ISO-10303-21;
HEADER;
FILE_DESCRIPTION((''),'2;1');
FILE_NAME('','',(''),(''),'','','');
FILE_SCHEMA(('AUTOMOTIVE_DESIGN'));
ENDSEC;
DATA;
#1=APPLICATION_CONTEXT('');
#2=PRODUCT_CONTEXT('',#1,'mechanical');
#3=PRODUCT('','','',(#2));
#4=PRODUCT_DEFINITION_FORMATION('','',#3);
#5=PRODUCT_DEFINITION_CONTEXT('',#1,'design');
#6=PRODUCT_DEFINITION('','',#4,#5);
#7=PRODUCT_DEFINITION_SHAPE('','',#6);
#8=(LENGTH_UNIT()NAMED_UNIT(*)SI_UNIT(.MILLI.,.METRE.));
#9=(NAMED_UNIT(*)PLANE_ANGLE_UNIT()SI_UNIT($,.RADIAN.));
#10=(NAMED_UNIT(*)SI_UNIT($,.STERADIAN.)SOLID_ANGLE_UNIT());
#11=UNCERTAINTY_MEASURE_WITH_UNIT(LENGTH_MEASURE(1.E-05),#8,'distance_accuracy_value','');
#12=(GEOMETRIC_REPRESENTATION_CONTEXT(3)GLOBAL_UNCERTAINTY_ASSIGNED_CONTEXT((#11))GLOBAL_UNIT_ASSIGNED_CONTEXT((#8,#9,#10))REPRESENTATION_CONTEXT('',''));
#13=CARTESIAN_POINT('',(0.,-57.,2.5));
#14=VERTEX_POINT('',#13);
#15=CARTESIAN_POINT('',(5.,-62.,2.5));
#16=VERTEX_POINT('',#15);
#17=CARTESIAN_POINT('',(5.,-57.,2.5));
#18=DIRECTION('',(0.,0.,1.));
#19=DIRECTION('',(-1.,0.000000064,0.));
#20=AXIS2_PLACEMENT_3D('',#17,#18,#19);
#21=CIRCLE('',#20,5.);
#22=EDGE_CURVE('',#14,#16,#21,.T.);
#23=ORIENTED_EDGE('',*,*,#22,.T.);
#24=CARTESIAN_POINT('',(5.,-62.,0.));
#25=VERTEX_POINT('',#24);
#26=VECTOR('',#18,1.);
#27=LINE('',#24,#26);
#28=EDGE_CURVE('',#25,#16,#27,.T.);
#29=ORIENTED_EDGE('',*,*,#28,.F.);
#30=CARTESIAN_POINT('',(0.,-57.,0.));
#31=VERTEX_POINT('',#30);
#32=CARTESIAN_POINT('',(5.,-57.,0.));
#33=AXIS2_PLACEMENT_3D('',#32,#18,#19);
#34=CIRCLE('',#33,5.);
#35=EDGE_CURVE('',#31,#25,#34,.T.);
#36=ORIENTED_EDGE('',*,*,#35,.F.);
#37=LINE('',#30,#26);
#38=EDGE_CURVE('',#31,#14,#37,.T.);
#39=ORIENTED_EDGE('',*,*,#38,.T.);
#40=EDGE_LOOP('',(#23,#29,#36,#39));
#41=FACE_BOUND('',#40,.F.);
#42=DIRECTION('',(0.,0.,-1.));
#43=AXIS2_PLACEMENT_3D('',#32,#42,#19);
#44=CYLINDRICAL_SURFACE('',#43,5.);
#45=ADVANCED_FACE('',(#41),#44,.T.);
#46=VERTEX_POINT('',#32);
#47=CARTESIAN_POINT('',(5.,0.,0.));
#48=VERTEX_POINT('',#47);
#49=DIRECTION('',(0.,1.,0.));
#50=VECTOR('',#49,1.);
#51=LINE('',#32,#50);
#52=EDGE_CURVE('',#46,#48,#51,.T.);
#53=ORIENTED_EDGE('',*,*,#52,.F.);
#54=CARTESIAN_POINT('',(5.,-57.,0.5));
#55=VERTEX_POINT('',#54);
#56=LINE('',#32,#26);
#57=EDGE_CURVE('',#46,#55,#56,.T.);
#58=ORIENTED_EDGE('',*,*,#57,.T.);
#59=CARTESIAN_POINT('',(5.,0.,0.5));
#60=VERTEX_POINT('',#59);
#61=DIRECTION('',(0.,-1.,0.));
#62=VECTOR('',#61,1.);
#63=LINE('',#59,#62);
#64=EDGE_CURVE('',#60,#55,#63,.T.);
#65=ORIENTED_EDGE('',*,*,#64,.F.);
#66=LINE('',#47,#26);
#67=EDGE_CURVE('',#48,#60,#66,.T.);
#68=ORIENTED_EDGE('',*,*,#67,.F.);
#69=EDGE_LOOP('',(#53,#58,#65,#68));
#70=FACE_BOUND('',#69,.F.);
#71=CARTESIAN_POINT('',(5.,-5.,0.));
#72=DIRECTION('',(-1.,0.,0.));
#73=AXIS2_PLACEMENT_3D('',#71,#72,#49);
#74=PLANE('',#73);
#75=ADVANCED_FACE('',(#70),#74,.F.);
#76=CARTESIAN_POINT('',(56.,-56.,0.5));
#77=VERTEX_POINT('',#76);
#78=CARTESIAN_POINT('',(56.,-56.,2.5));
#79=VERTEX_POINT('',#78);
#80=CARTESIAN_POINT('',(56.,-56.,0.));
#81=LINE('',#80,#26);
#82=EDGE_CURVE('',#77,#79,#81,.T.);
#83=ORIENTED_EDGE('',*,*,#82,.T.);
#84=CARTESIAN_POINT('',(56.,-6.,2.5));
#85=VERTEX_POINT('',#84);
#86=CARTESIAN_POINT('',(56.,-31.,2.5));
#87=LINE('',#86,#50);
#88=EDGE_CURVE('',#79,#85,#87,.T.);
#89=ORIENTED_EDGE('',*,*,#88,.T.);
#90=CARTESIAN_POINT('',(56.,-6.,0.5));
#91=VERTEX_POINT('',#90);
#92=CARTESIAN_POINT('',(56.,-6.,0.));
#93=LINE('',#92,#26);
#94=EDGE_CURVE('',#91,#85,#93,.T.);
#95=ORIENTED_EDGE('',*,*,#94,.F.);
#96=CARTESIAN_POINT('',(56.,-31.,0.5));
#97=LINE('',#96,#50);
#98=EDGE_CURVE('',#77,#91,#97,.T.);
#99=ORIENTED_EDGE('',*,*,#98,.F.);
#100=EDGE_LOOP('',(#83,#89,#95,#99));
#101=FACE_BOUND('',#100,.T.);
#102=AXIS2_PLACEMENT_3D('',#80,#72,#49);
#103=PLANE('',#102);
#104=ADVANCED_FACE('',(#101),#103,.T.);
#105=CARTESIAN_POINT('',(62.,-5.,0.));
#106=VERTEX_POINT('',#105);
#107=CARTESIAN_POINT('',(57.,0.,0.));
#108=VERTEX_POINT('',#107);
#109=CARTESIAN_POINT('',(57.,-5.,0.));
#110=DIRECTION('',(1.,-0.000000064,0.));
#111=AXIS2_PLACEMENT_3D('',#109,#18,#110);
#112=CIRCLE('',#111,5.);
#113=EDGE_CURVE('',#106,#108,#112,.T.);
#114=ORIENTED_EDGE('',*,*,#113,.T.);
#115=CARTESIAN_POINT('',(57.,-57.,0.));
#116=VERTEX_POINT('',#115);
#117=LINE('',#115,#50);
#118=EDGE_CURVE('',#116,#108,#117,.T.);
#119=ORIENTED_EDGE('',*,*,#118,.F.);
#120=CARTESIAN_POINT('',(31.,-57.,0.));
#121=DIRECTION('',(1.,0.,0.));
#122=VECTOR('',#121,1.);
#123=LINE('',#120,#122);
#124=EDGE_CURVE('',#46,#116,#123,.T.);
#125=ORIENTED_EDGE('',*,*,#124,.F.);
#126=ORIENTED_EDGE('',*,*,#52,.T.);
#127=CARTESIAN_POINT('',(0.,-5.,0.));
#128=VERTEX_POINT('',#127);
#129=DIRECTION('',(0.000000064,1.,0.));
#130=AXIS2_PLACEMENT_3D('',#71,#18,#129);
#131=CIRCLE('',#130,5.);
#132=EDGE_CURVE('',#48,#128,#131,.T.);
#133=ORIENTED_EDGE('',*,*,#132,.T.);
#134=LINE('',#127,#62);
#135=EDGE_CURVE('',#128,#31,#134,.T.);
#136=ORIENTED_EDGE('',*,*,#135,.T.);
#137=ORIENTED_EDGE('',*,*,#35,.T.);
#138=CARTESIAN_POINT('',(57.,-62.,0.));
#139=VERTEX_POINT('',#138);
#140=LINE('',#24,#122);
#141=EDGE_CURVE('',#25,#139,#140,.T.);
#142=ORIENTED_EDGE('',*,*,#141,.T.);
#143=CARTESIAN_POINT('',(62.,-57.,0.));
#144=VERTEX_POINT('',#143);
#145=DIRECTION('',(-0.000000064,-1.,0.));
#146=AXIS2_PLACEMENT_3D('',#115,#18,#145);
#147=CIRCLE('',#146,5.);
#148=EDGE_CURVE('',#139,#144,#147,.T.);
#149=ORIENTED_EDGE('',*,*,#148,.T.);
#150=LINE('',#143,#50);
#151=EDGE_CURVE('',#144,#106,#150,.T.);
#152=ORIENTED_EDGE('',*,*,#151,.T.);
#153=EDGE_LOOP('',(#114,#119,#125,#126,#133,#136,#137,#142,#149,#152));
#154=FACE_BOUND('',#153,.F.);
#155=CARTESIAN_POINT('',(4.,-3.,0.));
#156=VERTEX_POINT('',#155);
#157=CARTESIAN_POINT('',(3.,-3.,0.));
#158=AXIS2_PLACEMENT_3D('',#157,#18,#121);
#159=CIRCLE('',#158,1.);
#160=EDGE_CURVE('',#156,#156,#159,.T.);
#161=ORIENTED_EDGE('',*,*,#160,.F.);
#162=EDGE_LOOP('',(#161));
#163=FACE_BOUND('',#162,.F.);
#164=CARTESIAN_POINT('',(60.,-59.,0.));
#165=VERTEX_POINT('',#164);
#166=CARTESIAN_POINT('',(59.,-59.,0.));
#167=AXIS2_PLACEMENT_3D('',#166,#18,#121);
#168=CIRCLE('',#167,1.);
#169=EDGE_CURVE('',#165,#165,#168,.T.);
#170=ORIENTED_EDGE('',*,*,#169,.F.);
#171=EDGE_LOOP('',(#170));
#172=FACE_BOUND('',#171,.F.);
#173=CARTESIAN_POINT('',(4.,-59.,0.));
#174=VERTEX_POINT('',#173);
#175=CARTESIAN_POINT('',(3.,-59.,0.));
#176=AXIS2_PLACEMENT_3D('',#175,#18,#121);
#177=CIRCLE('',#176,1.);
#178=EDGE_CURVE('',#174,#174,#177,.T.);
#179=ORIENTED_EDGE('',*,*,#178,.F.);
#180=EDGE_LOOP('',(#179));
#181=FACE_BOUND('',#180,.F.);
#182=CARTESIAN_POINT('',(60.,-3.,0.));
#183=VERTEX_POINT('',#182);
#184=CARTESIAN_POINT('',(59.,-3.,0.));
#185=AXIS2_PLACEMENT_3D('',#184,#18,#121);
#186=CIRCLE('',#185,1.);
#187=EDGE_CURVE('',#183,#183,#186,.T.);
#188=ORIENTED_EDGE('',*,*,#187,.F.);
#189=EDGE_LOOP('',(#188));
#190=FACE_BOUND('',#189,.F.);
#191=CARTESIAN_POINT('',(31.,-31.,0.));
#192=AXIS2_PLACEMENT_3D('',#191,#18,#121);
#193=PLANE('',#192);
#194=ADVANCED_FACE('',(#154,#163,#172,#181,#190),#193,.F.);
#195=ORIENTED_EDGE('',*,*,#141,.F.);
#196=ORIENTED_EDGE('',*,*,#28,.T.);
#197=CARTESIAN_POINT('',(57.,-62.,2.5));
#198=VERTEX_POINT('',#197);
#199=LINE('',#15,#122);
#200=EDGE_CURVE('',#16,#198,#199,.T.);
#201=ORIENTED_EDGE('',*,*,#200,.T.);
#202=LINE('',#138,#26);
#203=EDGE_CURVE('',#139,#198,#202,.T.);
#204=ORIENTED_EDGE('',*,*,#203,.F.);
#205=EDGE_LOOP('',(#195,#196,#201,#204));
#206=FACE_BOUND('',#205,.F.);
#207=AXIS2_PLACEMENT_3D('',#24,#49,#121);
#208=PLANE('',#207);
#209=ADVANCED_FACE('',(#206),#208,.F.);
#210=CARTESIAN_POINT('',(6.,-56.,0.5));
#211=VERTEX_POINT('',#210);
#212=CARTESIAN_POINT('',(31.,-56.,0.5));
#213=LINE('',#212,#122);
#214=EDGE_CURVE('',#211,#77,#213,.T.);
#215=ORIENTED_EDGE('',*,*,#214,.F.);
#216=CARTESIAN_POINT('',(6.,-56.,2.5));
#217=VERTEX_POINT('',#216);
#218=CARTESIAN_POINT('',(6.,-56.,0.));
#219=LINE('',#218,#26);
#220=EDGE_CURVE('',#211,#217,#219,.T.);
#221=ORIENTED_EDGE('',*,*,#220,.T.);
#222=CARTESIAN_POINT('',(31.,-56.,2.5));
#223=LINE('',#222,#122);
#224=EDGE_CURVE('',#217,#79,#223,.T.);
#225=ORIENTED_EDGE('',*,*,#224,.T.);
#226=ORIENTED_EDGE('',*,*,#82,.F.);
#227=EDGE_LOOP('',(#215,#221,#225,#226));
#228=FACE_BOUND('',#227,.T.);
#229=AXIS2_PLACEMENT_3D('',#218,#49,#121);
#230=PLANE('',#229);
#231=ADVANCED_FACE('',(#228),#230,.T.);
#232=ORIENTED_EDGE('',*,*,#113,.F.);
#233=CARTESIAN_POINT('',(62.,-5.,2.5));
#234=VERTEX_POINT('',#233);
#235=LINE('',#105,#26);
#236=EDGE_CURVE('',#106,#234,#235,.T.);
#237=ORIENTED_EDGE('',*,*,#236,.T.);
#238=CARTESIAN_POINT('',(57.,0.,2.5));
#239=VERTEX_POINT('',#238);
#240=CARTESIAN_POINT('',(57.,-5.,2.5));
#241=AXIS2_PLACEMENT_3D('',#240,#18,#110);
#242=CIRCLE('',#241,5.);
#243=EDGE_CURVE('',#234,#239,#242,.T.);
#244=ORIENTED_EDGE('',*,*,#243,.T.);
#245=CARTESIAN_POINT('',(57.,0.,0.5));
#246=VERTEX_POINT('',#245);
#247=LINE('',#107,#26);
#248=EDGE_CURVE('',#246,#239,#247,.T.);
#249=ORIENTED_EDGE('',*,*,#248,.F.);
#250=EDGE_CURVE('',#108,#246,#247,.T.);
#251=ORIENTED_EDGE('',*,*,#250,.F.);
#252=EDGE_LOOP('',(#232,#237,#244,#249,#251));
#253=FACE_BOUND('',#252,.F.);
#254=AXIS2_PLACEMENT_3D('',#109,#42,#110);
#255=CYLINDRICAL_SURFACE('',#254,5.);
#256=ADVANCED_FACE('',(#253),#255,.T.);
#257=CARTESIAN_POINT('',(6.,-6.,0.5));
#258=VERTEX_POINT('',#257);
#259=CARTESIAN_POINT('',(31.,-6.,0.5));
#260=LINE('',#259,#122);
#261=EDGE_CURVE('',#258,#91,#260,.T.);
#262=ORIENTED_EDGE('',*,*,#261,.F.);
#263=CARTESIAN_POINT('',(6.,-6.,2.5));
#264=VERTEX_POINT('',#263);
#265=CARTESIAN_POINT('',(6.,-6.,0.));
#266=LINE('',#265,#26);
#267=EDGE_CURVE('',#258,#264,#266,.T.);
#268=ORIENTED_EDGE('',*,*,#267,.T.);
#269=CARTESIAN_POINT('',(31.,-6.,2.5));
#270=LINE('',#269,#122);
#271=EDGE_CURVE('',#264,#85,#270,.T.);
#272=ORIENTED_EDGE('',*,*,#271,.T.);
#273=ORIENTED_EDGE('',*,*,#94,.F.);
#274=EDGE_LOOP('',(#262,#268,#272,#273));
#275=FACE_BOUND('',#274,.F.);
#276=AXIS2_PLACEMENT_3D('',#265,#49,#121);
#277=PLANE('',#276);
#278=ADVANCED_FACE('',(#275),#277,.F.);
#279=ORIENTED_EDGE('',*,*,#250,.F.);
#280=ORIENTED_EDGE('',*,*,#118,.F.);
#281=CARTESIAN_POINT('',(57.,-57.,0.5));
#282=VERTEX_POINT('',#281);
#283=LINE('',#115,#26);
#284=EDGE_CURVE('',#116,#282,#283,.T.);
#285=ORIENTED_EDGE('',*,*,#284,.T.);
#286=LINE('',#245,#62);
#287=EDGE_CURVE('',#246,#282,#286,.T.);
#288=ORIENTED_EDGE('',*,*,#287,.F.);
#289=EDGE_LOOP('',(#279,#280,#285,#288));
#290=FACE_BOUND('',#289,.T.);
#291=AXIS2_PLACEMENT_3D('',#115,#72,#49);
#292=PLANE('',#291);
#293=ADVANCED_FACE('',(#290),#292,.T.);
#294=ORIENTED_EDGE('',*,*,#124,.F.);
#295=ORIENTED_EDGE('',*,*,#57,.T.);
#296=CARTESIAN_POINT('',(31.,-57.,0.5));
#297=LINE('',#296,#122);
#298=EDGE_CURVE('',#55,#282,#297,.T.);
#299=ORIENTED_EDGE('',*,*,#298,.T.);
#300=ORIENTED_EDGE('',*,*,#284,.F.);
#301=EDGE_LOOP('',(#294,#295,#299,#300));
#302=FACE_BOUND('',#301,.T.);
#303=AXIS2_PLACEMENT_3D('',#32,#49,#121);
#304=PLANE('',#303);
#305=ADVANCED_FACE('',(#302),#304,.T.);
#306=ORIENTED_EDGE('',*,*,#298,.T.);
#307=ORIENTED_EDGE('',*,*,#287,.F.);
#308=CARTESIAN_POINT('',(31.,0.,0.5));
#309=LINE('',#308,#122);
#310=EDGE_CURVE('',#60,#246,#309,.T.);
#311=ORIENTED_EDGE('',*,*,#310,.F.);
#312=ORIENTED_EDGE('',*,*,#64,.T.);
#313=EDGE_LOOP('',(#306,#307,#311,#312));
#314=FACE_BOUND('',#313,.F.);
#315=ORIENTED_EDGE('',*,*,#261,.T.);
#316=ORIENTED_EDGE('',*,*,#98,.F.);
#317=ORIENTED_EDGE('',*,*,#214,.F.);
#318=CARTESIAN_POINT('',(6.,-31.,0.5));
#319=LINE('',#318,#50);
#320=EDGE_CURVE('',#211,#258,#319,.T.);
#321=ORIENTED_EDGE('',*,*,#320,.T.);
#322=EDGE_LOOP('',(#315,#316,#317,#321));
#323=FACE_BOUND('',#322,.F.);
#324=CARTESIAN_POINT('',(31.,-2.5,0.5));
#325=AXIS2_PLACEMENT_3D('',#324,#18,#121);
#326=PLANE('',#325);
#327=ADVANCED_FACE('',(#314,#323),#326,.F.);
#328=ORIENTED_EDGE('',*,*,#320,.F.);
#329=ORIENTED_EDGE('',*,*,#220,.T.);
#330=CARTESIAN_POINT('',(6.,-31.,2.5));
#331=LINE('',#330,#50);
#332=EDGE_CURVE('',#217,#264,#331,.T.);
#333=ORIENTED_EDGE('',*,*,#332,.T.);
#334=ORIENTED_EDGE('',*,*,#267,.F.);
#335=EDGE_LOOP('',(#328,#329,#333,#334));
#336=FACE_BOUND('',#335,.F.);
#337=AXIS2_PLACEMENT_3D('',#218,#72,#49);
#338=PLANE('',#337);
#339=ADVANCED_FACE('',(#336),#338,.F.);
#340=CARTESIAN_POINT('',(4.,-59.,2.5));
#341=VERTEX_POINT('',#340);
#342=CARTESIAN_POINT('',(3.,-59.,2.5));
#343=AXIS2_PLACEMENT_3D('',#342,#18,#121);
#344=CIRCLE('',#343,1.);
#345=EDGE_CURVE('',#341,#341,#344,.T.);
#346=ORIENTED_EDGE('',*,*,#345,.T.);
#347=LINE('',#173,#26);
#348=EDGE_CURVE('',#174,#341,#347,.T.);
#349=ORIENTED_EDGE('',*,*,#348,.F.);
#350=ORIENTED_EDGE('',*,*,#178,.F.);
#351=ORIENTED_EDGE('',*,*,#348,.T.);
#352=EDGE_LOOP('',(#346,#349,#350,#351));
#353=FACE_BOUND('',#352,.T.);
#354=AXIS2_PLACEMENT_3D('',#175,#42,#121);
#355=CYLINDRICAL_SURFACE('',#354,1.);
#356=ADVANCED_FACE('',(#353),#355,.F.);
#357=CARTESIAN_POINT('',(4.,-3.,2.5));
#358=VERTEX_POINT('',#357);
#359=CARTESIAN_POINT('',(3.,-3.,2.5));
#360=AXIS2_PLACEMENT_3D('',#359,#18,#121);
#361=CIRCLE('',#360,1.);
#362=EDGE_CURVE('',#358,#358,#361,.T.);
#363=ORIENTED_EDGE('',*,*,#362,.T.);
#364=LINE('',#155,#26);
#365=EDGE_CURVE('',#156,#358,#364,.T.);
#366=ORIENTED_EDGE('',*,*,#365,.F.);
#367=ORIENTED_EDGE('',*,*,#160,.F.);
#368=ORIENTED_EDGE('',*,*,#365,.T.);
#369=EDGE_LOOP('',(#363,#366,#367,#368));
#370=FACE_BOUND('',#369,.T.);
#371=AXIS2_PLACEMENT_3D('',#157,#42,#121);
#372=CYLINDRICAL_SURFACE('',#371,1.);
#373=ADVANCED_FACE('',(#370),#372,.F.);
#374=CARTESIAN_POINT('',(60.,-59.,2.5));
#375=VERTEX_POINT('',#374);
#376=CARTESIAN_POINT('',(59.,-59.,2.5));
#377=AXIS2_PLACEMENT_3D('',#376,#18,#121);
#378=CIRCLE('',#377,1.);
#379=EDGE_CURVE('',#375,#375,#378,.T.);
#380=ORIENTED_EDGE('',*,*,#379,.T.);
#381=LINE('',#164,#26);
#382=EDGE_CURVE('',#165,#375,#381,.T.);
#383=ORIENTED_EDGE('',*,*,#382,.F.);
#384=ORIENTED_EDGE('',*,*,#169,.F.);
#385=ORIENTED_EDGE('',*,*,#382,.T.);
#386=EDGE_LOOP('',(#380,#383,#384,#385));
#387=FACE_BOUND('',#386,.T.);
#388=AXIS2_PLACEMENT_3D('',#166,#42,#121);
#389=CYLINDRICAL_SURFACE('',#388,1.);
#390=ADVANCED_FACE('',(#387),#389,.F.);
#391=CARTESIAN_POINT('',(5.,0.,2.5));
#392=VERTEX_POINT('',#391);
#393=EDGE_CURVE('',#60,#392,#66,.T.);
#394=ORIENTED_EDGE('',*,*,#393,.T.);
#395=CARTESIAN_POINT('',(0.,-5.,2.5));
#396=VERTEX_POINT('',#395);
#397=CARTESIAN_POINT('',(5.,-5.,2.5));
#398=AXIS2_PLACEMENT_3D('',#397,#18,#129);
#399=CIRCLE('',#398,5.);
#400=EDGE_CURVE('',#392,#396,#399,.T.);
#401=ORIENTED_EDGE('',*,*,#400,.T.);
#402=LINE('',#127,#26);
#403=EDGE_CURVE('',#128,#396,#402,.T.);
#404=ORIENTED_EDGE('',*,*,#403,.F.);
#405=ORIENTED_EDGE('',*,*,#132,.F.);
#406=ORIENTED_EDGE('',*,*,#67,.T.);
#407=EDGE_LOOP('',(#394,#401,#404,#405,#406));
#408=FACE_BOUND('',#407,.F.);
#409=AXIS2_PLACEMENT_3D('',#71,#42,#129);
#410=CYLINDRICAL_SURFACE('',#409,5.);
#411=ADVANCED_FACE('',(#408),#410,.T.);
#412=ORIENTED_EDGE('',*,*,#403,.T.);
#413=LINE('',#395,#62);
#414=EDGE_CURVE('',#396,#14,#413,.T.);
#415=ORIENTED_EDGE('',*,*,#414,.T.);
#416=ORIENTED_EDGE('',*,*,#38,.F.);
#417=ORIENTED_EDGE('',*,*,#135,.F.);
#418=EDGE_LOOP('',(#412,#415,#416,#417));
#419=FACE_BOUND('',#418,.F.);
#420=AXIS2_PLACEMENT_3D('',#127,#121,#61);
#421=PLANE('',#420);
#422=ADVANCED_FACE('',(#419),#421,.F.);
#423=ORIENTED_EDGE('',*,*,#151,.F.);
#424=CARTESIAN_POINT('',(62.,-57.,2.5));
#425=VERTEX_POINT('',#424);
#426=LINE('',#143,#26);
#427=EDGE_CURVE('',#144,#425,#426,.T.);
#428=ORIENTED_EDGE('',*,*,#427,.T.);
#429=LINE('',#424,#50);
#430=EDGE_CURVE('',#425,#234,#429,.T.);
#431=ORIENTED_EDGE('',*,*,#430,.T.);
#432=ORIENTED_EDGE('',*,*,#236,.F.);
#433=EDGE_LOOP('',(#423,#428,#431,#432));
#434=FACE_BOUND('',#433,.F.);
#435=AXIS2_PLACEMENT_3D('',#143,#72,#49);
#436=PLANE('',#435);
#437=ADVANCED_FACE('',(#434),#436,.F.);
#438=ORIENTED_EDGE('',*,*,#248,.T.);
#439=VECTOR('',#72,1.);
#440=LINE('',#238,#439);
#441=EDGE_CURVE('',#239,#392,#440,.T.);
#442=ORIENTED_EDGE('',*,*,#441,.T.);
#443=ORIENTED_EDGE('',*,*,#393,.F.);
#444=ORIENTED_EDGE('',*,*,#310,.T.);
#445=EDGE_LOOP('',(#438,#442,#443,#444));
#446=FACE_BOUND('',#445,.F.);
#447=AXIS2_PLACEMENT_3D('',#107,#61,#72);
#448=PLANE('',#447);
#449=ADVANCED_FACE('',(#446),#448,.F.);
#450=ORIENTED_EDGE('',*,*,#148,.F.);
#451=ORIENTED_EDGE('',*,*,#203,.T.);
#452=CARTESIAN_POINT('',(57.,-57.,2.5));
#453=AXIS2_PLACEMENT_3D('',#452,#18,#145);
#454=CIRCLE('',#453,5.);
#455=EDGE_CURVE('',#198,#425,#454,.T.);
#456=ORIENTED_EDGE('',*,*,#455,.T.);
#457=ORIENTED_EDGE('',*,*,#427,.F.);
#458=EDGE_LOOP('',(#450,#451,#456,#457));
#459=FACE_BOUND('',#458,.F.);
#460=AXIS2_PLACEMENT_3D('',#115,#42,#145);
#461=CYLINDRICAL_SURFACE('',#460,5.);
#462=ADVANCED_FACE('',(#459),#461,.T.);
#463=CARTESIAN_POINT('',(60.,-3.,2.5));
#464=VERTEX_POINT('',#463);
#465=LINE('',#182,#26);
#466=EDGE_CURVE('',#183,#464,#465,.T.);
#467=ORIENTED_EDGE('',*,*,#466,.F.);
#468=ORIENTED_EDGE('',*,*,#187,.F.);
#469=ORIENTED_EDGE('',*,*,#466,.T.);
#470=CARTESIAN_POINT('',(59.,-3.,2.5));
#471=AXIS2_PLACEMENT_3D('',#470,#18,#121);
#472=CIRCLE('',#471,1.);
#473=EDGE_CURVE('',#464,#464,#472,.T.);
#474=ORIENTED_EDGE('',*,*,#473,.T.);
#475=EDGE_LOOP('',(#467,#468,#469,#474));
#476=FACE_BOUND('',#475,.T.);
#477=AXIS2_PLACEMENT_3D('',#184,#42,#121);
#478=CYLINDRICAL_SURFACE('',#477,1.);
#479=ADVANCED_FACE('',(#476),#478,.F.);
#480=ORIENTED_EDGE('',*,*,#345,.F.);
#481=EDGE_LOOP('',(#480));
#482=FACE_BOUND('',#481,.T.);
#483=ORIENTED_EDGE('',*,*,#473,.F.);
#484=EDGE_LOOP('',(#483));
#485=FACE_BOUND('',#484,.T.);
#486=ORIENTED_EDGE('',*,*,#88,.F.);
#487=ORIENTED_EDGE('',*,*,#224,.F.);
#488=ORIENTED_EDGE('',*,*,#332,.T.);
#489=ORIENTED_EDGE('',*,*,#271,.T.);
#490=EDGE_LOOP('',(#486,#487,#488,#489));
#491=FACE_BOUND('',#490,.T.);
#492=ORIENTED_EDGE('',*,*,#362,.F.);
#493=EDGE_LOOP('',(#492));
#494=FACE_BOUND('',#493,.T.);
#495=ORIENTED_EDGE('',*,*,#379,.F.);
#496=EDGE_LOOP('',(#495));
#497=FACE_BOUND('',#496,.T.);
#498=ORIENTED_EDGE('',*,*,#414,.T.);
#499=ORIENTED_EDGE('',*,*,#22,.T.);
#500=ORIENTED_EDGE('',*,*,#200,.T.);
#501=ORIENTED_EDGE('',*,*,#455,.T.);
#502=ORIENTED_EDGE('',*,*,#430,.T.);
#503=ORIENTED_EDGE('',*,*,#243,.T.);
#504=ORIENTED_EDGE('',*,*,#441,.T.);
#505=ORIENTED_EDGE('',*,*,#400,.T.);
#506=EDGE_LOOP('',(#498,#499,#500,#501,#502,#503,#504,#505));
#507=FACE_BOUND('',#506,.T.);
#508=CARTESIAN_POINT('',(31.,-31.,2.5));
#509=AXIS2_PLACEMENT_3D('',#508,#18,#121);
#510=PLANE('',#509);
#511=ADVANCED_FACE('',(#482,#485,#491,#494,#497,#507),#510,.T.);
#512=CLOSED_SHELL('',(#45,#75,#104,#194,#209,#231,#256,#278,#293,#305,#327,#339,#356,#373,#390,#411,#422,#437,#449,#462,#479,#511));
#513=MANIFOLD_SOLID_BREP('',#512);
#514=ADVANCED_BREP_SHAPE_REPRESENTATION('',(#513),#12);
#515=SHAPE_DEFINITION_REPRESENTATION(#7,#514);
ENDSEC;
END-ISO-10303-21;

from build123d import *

# Parameters (mm, degrees)
F0_R     = 1
F0_W     = 52
F0_H     = 52
F0_W_2   = 50
F0_H_2   = 50
F1_DEPTH = 2.5
F2_DEPTH = 0.5
F3_W     = 52
F3_H     = 5
F4_DEPTH = 0.5


with BuildPart() as f1:
    # F0 (on Top) → F1 (new body)
    with BuildSketch(Plane.XY):
        with BuildLine():
            Line((57, 0), (5, 0))
            ThreePointArc((5, 0), (1.464466, -1.464466), (0, -5))
            Line((0, -5), (0, -57))
            ThreePointArc((0, -57), (1.464466, -60.535534), (5, -62))
            Line((5, -62), (57, -62))
            ThreePointArc((57, -62), (60.535534, -60.535534), (62, -57))
            Line((62, -57), (62, -5))
            ThreePointArc((62, -5), (60.535534, -1.464466), (57, 0))
        make_face()
        with Locations((3, -59)):
            Circle(F0_R, mode=Mode.SUBTRACT)
        with Locations((59, -59)):
            Circle(F0_R, mode=Mode.SUBTRACT)
        with Locations((3, -3)):
            Circle(F0_R, mode=Mode.SUBTRACT)
        with Locations((31, -31)):
            Rectangle(F0_W, F0_H, mode=Mode.SUBTRACT)
        with Locations((59, -3)):
            Circle(F0_R, mode=Mode.SUBTRACT)
        with Locations((31, -31)):
            Rectangle(F0_W, F0_H)
        with Locations((31, -31)):
            Rectangle(F0_W_2, F0_H_2, mode=Mode.SUBTRACT)
    extrude(amount=F1_DEPTH)

    # F0 (on Top) → F2 (cut)
    with BuildSketch(Plane.XY):
        with Locations((31, -31)):
            Rectangle(F0_W, F0_H)
        with Locations((31, -31)):
            Rectangle(F0_W_2, F0_H_2, mode=Mode.SUBTRACT)
    extrude(amount=F2_DEPTH, mode=Mode.SUBTRACT)

    # F3 (on face) → F4 (cut)
    with BuildSketch(Plane.XY):
        with Locations((31, -2.5)):
            Rectangle(F3_W, F3_H)
    extrude(amount=F4_DEPTH, mode=Mode.SUBTRACT)


solid = f1.part
